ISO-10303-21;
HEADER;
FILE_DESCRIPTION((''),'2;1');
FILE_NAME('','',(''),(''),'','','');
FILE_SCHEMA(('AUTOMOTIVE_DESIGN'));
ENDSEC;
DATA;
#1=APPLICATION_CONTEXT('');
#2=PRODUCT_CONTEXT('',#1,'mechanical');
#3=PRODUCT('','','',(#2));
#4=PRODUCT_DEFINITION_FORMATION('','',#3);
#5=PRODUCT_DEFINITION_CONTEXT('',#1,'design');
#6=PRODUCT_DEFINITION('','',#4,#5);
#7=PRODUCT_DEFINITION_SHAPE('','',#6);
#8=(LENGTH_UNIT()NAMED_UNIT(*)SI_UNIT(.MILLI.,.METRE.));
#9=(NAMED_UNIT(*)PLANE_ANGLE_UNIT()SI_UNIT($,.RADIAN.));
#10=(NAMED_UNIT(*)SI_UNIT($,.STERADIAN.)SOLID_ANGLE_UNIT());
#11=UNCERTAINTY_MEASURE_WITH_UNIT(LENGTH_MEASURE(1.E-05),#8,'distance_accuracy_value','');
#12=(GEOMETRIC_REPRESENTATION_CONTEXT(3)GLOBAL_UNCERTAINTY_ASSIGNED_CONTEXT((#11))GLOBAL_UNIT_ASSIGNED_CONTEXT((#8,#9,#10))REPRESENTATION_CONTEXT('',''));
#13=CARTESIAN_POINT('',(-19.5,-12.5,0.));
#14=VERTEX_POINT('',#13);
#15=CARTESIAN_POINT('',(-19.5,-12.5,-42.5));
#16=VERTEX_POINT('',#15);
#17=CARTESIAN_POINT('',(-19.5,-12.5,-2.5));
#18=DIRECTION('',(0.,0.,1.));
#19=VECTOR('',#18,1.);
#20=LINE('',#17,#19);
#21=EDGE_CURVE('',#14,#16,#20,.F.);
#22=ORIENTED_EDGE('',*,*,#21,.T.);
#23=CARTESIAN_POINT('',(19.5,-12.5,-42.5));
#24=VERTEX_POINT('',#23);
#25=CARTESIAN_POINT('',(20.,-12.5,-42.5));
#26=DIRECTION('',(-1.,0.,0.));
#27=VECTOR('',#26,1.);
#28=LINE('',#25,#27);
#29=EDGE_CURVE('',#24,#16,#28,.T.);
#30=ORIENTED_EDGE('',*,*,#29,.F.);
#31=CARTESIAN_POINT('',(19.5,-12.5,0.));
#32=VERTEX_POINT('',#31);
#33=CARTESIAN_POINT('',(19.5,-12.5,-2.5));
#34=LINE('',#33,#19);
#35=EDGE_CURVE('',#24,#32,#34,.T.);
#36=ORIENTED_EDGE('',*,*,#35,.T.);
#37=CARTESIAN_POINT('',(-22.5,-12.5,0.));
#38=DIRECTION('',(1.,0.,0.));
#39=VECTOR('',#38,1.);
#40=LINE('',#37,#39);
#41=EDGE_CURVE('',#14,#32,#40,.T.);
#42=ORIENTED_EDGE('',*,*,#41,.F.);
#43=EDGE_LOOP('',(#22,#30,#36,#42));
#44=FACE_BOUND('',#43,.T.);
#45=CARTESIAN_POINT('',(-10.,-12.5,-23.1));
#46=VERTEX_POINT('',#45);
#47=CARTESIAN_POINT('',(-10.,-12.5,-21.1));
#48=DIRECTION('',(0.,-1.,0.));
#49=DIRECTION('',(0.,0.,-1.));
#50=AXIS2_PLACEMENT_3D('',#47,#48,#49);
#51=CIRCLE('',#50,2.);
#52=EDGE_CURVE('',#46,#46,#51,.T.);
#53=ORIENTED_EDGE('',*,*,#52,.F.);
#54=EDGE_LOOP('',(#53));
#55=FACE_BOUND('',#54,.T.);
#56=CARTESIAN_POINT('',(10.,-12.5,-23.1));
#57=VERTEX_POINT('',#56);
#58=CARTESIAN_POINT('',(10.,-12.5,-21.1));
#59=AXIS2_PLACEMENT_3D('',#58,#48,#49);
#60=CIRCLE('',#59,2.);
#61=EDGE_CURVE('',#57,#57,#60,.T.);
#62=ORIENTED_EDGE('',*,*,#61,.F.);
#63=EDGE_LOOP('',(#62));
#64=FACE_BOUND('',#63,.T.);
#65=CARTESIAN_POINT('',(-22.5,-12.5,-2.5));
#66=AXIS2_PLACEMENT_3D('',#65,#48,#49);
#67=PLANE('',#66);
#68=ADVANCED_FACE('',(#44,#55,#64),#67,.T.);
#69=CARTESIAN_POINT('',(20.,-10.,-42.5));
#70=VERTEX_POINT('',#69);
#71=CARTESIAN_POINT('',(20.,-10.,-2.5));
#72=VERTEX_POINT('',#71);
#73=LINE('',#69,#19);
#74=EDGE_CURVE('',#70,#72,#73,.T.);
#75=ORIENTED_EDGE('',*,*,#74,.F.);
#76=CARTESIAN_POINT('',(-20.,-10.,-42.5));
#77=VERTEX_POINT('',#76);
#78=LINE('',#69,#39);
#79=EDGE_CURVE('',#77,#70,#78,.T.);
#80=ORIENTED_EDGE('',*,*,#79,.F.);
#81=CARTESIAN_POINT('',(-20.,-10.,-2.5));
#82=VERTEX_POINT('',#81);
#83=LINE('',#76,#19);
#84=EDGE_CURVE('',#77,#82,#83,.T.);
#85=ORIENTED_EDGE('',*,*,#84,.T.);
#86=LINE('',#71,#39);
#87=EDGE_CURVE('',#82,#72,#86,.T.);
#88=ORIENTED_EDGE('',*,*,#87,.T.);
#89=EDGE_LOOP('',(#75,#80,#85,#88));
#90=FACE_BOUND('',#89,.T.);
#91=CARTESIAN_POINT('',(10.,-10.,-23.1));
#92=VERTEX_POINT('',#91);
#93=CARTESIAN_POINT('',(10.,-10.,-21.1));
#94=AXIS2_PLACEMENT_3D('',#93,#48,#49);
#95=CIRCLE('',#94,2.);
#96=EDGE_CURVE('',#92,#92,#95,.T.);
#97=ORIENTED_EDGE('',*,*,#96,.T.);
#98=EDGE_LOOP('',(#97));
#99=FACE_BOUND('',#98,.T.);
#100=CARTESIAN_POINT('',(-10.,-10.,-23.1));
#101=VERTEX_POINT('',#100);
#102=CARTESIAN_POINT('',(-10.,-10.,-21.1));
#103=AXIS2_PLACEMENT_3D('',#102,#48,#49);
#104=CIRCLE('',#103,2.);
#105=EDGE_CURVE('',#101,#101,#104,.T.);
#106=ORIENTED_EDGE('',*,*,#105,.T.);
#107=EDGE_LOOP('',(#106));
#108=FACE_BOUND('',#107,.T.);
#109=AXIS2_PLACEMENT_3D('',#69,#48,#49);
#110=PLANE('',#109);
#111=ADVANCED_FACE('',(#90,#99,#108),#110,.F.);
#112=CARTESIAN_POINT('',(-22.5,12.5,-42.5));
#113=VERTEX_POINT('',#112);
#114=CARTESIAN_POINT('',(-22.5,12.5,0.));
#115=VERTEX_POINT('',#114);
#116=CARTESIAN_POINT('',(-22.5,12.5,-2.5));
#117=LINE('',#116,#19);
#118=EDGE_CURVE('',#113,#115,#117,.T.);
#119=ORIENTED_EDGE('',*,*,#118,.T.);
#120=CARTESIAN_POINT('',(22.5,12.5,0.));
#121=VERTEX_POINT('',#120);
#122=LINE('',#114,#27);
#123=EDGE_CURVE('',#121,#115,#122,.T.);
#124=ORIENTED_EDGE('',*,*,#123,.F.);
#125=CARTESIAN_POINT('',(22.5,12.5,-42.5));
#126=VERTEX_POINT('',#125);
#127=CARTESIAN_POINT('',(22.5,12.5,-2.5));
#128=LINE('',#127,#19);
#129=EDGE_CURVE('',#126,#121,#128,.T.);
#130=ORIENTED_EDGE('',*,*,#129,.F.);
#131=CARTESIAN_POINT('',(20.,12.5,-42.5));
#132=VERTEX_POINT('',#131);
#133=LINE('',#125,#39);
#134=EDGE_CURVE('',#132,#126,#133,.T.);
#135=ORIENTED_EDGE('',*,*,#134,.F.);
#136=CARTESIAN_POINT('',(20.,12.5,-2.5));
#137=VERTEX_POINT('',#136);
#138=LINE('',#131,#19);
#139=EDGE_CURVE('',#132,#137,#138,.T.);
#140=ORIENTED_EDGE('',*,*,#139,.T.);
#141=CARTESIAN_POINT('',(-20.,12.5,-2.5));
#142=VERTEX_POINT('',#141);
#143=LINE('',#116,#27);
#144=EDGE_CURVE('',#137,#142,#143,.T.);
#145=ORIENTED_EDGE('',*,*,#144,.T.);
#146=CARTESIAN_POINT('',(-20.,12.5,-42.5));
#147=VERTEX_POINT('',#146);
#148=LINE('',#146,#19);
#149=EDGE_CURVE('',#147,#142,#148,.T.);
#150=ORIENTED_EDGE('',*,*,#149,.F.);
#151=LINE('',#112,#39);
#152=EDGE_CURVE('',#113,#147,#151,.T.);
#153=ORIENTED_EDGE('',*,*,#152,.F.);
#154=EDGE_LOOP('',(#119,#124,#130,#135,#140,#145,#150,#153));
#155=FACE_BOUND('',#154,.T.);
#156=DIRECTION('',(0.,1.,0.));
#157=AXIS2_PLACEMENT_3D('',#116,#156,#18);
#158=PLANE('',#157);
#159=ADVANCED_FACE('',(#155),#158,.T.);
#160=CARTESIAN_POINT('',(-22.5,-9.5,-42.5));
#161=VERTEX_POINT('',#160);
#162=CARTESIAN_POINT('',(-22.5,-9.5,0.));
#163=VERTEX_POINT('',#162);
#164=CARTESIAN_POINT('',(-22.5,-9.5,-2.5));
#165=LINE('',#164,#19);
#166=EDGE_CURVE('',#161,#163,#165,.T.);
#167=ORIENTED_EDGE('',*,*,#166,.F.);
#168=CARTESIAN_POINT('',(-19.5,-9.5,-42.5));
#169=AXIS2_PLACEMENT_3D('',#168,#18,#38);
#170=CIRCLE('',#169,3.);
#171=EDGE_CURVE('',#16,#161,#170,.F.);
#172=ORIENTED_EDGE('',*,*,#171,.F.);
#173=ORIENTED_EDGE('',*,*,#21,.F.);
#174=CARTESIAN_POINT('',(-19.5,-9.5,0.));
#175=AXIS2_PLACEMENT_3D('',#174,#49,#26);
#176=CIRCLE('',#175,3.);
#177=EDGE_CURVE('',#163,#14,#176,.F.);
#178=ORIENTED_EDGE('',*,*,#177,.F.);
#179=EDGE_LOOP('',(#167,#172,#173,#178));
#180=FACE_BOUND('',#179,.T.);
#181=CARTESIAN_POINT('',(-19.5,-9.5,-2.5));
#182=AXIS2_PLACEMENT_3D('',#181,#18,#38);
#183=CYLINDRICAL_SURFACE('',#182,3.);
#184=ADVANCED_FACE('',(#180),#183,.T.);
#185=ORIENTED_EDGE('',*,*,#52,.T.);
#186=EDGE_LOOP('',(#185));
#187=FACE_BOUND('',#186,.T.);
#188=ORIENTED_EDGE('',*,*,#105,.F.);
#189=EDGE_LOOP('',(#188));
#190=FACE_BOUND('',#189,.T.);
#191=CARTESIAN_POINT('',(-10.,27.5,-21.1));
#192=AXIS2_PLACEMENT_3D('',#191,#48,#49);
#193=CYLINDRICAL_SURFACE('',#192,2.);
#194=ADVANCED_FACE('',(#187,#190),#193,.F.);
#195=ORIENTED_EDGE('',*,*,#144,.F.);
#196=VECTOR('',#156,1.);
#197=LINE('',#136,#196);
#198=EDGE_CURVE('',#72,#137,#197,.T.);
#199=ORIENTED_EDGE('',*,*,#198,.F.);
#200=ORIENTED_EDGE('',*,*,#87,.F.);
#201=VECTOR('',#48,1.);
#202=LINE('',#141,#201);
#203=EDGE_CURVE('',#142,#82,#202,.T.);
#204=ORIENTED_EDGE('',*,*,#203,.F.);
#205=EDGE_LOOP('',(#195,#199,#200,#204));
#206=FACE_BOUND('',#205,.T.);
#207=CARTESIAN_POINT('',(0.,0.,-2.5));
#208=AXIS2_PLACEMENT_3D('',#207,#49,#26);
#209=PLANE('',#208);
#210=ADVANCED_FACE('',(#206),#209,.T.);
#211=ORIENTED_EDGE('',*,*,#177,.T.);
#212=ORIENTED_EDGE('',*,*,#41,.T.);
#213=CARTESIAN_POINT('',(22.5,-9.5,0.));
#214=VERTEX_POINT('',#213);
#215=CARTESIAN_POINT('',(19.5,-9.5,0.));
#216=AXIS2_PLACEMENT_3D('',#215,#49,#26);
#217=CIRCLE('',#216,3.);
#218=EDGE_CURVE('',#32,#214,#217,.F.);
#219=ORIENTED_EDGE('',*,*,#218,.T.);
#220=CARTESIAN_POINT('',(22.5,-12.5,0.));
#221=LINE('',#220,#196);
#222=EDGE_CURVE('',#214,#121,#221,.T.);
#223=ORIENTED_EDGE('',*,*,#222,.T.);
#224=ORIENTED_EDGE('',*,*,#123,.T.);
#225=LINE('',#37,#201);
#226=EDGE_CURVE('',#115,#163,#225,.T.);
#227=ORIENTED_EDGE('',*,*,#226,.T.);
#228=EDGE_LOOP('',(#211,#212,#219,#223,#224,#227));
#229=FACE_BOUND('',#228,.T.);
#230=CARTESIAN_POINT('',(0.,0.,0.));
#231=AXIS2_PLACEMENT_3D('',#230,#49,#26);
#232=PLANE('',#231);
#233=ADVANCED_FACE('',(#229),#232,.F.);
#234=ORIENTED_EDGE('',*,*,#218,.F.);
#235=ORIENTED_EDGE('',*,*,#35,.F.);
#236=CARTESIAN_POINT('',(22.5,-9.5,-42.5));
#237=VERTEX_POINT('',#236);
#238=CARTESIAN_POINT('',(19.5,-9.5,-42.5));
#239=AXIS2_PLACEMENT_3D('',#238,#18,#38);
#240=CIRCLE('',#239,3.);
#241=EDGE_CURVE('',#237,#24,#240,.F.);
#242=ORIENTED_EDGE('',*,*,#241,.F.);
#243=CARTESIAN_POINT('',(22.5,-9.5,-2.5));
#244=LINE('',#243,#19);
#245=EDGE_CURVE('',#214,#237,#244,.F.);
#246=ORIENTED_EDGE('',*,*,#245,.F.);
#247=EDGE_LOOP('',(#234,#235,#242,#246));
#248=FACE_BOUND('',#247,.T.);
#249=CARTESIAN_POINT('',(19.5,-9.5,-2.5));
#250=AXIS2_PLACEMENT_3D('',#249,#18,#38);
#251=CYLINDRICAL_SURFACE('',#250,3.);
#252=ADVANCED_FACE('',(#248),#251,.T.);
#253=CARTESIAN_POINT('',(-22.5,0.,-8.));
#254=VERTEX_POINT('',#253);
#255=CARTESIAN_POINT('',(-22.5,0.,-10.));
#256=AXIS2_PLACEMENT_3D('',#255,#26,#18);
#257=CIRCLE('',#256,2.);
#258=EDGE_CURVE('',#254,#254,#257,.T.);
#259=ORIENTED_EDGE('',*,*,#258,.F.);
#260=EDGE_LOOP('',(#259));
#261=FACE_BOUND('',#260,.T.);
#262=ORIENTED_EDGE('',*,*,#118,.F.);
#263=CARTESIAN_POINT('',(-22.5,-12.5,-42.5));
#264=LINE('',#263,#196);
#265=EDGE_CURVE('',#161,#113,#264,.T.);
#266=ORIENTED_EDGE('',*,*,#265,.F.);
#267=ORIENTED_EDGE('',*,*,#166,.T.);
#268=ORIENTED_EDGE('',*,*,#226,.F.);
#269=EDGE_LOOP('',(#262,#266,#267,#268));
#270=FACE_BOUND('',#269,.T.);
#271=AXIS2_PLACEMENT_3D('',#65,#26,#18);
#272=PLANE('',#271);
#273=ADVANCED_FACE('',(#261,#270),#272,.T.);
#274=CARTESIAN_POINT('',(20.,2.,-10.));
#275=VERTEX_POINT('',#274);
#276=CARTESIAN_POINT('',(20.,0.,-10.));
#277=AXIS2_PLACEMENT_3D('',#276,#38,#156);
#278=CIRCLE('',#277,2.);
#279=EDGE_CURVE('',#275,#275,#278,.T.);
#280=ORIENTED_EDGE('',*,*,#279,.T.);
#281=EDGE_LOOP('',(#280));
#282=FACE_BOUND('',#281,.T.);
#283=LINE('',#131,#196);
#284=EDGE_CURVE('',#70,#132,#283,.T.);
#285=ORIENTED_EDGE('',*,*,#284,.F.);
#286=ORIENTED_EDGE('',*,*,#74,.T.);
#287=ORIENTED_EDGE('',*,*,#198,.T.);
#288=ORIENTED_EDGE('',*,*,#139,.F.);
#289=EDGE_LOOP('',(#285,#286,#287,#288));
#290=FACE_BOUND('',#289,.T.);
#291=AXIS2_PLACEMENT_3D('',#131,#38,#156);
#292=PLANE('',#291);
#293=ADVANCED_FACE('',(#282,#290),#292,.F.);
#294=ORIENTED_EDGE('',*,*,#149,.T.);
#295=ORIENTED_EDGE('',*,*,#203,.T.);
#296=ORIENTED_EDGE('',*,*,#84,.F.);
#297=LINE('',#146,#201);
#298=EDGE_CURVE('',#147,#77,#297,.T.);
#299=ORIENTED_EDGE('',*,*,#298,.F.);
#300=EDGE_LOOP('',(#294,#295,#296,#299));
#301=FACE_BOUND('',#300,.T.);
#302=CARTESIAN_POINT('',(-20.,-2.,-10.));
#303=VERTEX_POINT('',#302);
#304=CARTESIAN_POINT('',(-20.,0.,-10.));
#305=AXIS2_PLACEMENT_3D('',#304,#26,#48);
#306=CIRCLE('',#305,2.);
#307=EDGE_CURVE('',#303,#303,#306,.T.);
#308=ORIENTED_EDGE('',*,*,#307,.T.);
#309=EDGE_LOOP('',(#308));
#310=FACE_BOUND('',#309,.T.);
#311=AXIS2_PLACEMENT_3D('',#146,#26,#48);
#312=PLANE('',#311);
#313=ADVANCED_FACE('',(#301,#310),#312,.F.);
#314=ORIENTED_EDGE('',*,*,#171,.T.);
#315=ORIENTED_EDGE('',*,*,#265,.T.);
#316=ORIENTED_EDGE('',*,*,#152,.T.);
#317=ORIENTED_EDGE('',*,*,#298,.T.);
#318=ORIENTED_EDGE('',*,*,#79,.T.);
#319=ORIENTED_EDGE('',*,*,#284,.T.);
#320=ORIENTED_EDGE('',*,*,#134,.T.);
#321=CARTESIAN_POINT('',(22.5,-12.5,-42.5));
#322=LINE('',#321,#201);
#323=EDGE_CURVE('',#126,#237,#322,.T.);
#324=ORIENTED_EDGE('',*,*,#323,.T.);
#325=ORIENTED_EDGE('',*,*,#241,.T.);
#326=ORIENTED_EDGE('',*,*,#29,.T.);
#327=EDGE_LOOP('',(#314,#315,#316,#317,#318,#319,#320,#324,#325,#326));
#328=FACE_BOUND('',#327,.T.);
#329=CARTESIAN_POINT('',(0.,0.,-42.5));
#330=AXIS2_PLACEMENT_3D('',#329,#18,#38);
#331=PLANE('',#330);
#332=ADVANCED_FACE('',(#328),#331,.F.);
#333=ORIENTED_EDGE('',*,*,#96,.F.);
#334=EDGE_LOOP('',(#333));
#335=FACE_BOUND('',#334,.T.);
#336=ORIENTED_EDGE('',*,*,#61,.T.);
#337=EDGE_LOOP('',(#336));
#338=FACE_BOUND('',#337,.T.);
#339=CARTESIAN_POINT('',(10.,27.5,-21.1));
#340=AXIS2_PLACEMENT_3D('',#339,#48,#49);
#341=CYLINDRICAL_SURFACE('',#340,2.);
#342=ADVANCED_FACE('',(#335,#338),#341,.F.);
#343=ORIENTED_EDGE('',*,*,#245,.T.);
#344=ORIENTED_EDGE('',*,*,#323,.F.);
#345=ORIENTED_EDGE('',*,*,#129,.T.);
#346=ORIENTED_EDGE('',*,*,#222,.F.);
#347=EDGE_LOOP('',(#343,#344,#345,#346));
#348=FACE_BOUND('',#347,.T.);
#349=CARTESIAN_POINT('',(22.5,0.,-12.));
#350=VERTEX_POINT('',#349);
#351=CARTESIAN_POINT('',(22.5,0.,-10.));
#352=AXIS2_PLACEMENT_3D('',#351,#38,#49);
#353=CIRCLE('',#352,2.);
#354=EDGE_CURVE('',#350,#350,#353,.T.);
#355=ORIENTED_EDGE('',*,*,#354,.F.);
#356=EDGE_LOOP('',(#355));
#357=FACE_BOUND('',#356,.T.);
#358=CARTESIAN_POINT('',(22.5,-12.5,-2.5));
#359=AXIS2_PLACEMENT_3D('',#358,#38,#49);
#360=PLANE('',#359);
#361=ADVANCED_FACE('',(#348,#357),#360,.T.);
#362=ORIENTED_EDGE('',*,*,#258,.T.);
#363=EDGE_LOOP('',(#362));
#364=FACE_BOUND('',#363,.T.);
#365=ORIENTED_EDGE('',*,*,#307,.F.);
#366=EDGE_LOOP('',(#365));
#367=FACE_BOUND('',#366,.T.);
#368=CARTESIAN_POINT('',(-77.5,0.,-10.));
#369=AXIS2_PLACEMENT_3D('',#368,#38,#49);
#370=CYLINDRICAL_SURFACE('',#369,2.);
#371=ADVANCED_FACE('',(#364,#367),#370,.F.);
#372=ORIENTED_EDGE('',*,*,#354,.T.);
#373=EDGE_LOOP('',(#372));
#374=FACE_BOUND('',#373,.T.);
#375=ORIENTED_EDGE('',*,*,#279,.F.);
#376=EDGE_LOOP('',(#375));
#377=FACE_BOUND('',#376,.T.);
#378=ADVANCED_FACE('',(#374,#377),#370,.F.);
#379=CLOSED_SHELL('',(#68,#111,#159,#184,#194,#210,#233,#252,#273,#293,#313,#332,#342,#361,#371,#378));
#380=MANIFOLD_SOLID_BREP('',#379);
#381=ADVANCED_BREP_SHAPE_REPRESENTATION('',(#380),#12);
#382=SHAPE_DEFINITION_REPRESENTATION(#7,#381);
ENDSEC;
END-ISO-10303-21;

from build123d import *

# Parameters (mm, degrees)
CROQUIS1_W              = 45
CROQUIS1_H              = 25
SALIENTE_EXTRUIR1_DEPTH = 2.5
SALIENTE_EXTRUIR2_DEPTH = 40
REDONDEO2_R             = 3
REDONDEO3_R             = 3
CROQUIS3_R              = 2
CORTAR_EXTRUIR1_DEPTH   = 100
CROQUIS4_R              = 2
CORTAR_EXTRUIR2_DEPTH   = 40


with BuildPart() as part:
    # Croquis1 → Saliente-Extruir1 (new body)
    with BuildSketch(Plane.XY):
        Rectangle(CROQUIS1_W, CROQUIS1_H)
    extrude(amount=-SALIENTE_EXTRUIR1_DEPTH)

    # Croquis2 → Saliente-Extruir2 (add)
    with BuildSketch(Plane(origin=(0, 0, -2.5), x_dir=(-1, 0, 0), z_dir=(0, 0, -1))):
        Polygon((-22.5, 12.5), (-20, 12.5), (-20, -10), (20, -10), (20, 12.5), (22.5, 12.5), (22.5, -12.5), (20, -12.5), (-20, -12.5), (-22.5, -12.5), align=None)
    extrude(amount=SALIENTE_EXTRUIR2_DEPTH)

    # Redondeo2
    redondeo2_edges = [part.edges().sort_by_distance(p)[0] for p in [
        (22.5, -12.5, -21.25),
    ]]
    fillet(redondeo2_edges, radius=REDONDEO2_R)

    # Redondeo3
    redondeo3_edges = [part.edges().sort_by_distance(p)[0] for p in [
        (-22.5, -12.5, -21.25),
    ]]
    fillet(redondeo3_edges, radius=REDONDEO3_R)

    # Croquis3 → Cortar-Extruir1 (cut)
    with BuildSketch(Plane(origin=(22.5, 0, 0), x_dir=(0, 0, -1), z_dir=(1, 0, 0))):
        with Locations((10, 0)):
            Circle(CROQUIS3_R)
    extrude(amount=-CORTAR_EXTRUIR1_DEPTH, mode=Mode.SUBTRACT)

    # Croquis4 → Cortar-Extruir2 (cut)
    with BuildSketch(Plane.XZ.offset(12.5)):
        with Locations(Location((-10, -21.1, 0), (0, 0, 270))):
            Circle(CROQUIS4_R)
        with Locations(Location((10, -21.1, 0), (0, 0, 270))):
            Circle(CROQUIS4_R)
    extrude(amount=-CORTAR_EXTRUIR2_DEPTH, mode=Mode.SUBTRACT)


solid = part.part
